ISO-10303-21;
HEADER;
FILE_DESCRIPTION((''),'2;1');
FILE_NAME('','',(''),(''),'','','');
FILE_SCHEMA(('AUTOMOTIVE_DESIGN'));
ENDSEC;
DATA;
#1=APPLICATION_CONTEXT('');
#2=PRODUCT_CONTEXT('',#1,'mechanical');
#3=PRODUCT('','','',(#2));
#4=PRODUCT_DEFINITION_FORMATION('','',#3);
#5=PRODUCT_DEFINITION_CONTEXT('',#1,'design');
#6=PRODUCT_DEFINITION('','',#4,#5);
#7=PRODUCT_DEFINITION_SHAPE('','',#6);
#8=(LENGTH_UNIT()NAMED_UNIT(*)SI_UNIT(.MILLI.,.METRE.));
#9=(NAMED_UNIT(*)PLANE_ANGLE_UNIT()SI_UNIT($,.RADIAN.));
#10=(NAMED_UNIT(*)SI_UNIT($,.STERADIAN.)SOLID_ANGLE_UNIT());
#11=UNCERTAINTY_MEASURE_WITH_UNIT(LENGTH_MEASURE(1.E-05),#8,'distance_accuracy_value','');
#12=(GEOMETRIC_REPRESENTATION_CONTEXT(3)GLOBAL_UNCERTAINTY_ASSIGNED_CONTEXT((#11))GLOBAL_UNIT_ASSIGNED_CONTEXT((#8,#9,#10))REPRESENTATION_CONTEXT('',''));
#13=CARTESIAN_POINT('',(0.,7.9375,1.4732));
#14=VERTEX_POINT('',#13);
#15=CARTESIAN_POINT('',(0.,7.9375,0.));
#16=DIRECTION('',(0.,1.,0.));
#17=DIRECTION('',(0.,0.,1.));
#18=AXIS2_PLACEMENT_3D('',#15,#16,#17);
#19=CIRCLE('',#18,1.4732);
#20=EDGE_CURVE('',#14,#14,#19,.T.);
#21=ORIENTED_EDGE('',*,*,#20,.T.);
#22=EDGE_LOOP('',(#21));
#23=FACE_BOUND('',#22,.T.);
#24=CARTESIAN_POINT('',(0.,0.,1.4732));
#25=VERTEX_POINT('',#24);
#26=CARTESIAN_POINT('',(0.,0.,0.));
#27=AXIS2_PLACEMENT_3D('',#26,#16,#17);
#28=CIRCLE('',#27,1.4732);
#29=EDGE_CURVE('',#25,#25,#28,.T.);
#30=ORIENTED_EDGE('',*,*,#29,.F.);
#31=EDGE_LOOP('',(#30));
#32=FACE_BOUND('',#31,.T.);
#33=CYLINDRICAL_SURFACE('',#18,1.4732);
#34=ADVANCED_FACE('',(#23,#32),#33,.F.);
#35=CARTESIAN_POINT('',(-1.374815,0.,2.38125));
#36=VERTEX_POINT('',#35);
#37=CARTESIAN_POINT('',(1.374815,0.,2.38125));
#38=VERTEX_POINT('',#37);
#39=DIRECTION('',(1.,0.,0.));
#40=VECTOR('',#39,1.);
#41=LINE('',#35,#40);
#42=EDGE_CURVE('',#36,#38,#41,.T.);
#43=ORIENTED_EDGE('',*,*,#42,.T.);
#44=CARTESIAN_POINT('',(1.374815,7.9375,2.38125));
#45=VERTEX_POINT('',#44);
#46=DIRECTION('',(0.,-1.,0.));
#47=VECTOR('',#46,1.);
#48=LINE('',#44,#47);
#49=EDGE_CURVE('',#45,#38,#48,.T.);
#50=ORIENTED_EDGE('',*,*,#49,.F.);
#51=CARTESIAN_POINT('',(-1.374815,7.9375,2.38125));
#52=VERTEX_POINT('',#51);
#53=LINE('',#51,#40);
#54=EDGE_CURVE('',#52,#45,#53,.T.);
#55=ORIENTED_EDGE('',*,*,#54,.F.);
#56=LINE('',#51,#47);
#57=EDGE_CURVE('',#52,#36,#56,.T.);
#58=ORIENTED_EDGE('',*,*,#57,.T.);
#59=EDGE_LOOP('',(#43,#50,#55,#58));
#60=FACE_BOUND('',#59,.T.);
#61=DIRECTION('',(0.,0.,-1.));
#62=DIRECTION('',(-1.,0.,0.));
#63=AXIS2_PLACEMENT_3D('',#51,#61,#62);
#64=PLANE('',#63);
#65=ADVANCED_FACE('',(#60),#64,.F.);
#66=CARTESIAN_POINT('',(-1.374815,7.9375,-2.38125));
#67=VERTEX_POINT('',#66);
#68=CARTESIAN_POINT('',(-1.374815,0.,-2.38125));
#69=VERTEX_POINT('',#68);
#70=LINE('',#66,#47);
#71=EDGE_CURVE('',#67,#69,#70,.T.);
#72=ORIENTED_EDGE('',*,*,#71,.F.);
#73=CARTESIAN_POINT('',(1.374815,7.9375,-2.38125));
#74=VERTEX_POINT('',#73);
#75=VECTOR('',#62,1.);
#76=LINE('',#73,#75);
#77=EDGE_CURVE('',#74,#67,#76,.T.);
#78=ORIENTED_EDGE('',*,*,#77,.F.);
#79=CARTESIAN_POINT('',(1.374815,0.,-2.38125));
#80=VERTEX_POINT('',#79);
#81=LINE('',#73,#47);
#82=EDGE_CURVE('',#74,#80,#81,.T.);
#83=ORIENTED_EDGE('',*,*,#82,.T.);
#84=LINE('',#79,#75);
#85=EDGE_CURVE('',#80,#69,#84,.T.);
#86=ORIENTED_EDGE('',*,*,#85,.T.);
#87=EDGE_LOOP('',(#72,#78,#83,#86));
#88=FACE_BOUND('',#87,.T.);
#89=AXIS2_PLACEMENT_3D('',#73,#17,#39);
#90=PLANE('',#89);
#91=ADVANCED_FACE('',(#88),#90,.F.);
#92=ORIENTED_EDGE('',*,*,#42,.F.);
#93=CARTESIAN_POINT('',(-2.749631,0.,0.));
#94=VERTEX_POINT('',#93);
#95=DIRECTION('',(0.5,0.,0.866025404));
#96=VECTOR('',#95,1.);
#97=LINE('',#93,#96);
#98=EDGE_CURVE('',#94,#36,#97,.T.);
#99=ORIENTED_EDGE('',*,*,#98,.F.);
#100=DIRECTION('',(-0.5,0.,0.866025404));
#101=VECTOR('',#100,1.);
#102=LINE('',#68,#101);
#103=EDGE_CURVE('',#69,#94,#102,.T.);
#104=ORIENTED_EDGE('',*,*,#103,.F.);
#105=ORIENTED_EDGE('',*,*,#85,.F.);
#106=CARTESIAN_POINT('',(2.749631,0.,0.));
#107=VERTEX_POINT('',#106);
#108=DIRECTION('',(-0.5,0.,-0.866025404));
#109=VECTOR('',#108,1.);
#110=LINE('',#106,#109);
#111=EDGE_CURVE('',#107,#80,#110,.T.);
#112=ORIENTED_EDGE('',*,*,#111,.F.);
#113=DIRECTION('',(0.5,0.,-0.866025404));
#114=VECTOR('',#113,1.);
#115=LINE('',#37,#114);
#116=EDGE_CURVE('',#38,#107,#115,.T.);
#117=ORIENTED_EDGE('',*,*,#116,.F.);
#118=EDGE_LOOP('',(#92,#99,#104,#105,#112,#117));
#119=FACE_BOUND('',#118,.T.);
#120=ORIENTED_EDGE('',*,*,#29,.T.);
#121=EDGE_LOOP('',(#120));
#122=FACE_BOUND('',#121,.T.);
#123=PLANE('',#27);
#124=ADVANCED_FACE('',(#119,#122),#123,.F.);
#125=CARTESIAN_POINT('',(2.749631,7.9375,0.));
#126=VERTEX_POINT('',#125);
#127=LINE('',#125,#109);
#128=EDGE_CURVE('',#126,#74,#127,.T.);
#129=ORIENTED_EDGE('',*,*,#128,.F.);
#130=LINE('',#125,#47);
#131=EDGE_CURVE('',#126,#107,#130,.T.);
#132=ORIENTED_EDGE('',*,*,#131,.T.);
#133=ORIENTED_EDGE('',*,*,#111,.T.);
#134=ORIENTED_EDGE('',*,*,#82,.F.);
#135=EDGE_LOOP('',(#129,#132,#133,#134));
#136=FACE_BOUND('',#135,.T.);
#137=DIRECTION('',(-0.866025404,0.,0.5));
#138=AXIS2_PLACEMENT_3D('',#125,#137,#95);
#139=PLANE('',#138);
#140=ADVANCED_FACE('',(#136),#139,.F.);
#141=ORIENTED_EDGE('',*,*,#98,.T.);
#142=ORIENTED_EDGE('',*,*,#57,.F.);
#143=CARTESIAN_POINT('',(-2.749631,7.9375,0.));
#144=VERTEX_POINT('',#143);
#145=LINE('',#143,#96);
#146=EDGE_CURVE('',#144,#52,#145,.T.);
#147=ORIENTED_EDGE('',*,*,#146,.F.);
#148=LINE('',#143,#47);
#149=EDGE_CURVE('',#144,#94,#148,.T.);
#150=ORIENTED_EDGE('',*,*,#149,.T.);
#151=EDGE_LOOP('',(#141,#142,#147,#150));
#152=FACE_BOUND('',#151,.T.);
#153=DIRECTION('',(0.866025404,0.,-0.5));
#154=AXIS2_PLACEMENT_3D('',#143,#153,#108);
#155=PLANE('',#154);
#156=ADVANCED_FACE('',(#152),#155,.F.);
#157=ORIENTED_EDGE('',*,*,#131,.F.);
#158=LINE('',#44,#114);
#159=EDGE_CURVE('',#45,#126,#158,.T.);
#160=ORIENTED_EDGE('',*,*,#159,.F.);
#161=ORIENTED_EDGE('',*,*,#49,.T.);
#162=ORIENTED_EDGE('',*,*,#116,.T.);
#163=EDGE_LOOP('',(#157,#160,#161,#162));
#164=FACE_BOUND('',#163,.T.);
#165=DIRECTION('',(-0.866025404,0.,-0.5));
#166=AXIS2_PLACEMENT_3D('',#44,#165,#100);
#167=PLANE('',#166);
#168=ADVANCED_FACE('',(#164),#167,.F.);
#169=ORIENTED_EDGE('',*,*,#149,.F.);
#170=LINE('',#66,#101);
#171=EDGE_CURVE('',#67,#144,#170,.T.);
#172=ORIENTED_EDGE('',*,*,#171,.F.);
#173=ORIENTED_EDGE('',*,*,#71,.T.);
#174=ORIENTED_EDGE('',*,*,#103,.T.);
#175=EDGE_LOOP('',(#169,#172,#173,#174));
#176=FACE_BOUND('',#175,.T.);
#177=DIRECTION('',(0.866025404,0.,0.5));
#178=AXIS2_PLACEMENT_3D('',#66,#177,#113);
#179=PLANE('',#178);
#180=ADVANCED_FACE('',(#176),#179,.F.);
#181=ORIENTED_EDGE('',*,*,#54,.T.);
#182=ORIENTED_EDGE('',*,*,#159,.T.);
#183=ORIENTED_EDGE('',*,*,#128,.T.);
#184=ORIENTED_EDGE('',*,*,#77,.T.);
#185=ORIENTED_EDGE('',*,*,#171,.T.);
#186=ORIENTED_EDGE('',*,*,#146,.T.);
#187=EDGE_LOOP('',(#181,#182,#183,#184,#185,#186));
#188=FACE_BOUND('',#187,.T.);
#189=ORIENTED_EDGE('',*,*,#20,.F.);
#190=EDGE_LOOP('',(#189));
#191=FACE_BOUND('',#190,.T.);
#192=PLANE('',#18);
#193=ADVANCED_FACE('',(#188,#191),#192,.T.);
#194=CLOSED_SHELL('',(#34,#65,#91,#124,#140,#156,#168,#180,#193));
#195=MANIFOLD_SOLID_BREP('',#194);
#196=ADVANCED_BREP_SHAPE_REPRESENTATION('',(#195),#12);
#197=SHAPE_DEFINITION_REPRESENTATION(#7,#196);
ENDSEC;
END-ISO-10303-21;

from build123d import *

# Parameters (mm, degrees)
BOSS_EXTRUDE1_DEPTH              = 7.9375
F_97_0_0059_DIAMETER_HOLE1_D     = 2.9464
F_97_0_0059_DIAMETER_HOLE1_DEPTH = 25.4
F_97_0_0059_DIAMETER_HOLE1_TIP   = 0.885187864


with BuildPart() as part:
    # Sketch1 → Boss-Extrude1 (new body)
    with BuildSketch(Plane(origin=(0, 0, 0), x_dir=(1, 0, 0), z_dir=(0, 1, 0))):
        Polygon((2.749630657, 0), (1.374815329, 2.38125), (-1.374815329, 2.38125), (-2.749630657, 0), (-1.374815329, -2.38125), (1.374815329, -2.38125), align=None)
    extrude(amount=BOSS_EXTRUDE1_DEPTH)

    # #97 (0.0059) Diameter Hole1
    with Locations(Plane(origin=(0, 7.9375, 0), x_dir=(1, 0, 0), z_dir=(0, 1, 0))):
        with Locations((0, 0)):
            Hole(F_97_0_0059_DIAMETER_HOLE1_D / 2, depth=F_97_0_0059_DIAMETER_HOLE1_DEPTH)
            with Locations((0, 0, -(F_97_0_0059_DIAMETER_HOLE1_DEPTH + F_97_0_0059_DIAMETER_HOLE1_TIP / 2))):  # 118° drill point
                Cone(0, F_97_0_0059_DIAMETER_HOLE1_D / 2, F_97_0_0059_DIAMETER_HOLE1_TIP, mode=Mode.SUBTRACT)


solid = part.part
